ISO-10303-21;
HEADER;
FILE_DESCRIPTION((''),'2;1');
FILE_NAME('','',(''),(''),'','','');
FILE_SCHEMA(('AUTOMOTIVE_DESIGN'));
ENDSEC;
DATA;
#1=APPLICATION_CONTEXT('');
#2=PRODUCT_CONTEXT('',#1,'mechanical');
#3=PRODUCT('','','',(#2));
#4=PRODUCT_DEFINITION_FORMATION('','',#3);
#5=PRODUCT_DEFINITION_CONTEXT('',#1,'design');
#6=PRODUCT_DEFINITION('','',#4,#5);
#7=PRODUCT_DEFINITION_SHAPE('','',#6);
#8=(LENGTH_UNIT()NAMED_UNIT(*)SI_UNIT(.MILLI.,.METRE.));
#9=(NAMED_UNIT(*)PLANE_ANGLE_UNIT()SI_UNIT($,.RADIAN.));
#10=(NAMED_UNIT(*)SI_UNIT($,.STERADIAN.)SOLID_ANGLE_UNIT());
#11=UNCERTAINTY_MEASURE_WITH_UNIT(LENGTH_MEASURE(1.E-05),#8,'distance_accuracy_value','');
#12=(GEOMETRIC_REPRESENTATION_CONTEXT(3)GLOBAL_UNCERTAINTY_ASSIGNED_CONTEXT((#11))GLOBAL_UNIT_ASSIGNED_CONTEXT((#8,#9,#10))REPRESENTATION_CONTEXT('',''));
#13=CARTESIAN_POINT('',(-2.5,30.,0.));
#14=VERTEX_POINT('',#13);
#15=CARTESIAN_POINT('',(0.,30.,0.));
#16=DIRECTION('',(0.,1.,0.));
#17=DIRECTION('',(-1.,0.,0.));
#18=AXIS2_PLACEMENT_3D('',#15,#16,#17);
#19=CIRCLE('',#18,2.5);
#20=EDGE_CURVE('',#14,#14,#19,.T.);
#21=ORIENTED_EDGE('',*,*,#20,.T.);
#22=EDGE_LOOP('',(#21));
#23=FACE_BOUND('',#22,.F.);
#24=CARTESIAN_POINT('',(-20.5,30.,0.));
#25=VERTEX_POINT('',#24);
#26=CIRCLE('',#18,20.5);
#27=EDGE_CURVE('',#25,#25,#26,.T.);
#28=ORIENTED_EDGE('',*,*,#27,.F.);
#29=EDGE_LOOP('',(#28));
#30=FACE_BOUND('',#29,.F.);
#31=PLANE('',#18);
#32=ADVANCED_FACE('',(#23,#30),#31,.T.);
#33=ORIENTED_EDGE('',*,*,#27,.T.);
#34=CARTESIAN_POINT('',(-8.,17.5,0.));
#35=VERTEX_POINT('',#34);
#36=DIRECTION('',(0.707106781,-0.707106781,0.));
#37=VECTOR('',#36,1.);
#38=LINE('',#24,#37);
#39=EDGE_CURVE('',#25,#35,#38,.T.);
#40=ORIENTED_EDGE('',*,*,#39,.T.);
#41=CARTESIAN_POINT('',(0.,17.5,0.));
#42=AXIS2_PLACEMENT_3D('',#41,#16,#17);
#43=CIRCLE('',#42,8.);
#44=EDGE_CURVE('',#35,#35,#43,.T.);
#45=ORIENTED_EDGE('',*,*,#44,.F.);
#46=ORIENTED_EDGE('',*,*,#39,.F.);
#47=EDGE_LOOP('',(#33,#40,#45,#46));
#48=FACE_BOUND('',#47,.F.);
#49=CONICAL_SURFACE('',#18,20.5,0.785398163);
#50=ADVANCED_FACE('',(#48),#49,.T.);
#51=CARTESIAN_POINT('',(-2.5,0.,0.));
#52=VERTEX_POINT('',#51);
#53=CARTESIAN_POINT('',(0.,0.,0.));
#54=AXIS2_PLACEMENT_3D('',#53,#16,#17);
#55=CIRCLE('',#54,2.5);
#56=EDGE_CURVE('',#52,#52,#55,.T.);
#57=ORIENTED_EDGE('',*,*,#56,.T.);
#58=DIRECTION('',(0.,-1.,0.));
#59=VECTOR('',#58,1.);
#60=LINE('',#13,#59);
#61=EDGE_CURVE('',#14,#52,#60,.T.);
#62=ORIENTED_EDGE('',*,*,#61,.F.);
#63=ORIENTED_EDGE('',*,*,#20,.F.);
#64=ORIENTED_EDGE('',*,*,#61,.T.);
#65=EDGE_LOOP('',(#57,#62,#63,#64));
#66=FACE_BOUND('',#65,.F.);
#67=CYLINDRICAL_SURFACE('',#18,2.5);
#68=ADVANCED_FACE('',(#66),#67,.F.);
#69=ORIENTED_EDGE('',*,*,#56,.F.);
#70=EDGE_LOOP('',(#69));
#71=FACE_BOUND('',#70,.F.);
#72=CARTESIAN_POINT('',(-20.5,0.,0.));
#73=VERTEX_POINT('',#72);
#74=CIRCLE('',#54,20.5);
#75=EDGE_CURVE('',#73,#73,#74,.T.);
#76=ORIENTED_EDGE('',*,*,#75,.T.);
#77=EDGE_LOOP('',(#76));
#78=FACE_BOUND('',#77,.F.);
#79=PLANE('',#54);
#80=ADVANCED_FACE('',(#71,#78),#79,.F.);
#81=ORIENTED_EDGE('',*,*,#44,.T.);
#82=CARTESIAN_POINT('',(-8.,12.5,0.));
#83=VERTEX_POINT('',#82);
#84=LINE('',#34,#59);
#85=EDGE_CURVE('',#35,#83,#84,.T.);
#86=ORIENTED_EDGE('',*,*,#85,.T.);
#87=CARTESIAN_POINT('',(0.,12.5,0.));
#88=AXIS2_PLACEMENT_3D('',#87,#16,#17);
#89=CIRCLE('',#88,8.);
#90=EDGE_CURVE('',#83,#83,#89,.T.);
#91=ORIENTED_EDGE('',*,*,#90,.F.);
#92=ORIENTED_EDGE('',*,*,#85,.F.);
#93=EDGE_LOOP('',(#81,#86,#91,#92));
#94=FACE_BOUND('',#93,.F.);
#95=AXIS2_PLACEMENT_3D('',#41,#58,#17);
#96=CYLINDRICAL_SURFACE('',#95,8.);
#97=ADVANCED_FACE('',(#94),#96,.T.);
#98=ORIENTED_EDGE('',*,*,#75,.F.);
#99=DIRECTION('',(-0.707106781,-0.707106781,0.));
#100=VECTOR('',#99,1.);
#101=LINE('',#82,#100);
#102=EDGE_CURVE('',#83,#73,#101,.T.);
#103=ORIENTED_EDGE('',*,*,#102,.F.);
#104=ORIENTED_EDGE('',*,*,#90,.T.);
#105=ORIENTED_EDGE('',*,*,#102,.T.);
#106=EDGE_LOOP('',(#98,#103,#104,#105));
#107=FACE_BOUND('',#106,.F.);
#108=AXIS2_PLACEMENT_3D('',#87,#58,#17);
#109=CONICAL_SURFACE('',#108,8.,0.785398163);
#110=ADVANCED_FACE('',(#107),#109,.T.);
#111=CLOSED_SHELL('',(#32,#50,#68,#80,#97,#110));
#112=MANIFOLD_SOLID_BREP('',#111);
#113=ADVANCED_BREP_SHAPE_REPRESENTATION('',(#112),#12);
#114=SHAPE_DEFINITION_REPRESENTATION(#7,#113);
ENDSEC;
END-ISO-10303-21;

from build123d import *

# Parameters (mm, degrees)
F2_R     = 2.5
F3_DEPTH = 30


with BuildPart() as f1:
    # F0 (on Top) → F1 (revolve)
    with BuildSketch(Plane.XY):
        Polygon((-20.5, 0), (0, 0), (0, 30), (-20.5, 30), (-8, 17.5), (-8, 12.5), align=None)
    revolve(axis=Axis((0, 15, 0), (0, 1, 0)))

    # F2 (on face) → F3 (cut, through all)
    with BuildSketch(Plane(origin=(0, 30, 0), x_dir=(-1, 0, 0), z_dir=(0, 1, 0))):
        Circle(F2_R)
    extrude(amount=-F3_DEPTH, mode=Mode.SUBTRACT)


solid = f1.part
